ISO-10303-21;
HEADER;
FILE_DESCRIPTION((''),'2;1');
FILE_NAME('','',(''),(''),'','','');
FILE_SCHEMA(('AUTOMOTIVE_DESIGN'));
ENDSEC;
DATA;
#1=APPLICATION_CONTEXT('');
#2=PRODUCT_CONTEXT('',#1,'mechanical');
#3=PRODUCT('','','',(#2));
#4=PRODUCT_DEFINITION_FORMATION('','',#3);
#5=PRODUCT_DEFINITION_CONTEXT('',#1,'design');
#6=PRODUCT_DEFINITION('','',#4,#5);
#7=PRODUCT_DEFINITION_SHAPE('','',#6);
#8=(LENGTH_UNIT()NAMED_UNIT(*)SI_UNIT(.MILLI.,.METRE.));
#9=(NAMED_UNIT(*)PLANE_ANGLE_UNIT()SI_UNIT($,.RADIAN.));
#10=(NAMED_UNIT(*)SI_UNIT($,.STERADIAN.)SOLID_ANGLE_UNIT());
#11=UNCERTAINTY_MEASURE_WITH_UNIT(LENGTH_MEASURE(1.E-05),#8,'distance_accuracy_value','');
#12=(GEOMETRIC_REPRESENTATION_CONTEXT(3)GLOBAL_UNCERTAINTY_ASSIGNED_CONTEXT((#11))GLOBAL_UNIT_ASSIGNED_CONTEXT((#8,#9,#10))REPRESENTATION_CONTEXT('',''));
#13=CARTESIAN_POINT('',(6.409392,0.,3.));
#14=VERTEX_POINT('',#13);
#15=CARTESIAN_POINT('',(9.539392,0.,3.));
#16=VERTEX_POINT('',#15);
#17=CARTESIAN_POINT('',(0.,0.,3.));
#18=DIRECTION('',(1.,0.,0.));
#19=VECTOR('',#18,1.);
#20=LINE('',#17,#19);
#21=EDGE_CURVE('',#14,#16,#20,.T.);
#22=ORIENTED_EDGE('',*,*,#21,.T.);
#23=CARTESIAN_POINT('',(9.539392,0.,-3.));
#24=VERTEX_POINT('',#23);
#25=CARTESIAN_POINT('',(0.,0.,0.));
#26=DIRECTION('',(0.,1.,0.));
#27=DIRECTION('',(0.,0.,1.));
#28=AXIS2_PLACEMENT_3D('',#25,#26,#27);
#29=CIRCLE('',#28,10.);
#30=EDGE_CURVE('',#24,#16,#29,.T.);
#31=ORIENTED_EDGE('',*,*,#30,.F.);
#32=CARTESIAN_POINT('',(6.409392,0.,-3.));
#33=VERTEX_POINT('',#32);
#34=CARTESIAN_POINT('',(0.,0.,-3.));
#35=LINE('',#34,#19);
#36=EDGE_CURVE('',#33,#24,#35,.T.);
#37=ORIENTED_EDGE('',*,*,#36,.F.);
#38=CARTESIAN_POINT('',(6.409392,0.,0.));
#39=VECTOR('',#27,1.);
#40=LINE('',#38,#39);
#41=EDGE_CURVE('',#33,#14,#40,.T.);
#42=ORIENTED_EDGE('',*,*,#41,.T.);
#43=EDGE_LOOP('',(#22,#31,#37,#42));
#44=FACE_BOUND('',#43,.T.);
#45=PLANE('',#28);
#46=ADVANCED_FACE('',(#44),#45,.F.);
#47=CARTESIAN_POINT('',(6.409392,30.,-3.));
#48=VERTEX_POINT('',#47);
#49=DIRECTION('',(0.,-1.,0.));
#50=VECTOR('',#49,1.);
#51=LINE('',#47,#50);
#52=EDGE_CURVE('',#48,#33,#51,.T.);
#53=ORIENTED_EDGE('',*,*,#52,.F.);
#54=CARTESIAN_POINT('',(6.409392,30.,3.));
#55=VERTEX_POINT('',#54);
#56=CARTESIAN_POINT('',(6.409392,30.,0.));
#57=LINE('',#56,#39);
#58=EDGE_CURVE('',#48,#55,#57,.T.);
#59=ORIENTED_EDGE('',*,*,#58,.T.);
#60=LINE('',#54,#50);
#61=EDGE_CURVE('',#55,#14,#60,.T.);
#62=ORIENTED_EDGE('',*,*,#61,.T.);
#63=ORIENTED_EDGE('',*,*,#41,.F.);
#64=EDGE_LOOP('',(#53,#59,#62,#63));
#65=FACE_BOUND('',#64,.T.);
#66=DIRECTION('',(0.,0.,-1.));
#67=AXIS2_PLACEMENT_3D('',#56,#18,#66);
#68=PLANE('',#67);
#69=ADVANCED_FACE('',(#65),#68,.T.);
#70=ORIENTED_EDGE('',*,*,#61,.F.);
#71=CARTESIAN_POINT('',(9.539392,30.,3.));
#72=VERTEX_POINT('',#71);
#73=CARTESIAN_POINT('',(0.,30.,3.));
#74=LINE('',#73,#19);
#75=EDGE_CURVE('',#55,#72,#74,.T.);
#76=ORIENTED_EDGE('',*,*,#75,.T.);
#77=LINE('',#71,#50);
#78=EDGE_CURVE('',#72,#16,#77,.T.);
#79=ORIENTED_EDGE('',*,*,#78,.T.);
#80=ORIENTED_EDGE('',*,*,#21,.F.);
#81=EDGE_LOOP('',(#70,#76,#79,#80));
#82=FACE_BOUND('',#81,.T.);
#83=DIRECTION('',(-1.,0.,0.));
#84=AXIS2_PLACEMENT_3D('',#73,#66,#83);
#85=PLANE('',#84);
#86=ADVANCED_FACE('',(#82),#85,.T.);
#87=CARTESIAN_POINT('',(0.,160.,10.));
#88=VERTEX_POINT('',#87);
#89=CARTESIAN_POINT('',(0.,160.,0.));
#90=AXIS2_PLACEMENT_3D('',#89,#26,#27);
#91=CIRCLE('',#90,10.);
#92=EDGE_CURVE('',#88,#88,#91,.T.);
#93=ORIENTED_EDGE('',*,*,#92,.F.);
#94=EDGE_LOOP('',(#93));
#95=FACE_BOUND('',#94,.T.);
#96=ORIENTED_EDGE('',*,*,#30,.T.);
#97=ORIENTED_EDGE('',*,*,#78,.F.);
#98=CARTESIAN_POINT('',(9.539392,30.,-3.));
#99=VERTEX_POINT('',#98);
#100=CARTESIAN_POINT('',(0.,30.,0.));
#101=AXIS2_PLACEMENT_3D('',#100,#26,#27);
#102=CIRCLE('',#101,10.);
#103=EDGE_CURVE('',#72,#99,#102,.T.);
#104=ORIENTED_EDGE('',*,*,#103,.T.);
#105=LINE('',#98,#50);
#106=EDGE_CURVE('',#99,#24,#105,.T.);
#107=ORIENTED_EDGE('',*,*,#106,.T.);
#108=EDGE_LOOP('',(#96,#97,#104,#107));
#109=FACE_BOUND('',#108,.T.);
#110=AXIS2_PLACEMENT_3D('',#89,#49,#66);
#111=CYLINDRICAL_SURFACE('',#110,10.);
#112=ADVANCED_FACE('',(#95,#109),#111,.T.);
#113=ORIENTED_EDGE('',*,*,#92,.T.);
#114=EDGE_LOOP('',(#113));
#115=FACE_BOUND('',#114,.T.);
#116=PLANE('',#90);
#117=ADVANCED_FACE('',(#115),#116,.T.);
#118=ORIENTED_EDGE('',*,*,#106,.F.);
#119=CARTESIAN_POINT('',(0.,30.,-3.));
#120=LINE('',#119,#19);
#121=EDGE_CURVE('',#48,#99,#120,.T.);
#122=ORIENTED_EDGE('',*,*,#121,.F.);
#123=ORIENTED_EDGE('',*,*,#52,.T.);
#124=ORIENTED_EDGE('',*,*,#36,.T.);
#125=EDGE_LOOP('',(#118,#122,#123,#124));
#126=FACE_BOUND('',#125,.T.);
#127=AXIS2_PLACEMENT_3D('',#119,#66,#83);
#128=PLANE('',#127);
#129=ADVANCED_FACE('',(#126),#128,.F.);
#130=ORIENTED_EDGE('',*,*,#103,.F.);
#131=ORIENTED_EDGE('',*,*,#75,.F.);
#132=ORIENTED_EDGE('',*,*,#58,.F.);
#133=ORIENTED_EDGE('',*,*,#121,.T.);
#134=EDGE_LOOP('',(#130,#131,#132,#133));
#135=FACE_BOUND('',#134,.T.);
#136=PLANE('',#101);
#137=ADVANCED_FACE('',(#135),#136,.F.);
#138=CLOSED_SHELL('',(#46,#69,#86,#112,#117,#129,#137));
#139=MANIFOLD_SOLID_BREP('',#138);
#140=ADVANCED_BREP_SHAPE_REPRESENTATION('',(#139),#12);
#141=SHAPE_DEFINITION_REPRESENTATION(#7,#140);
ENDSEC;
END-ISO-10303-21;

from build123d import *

# Parameters (mm, degrees)
SKETCH1_R           = 10
BOSS_EXTRUDE1_DEPTH = 160
CUT_EXTRUDE1_DEPTH  = 30


with BuildPart() as part:
    # Sketch1 → Boss-Extrude1 (new body)
    with BuildSketch(Plane(origin=(0, 0, 0), x_dir=(1, 0, 0), z_dir=(0, 1, 0))):
        Circle(SKETCH1_R)
    extrude(amount=BOSS_EXTRUDE1_DEPTH)

    # Sketch1_3 → Cut-Extrude1 (cut)
    with BuildSketch(Plane(origin=(0, 0, 0), x_dir=(1, 0, 0), z_dir=(0, 1, 0))):
        with BuildLine():
            Line((9.539392014, 3), (6.409392014, 3))
            Line((6.409392014, 3), (6.409392014, -3))
            Line((6.409392014, -3), (9.539392014, -3))
            ThreePointArc((9.539392014, -3), (9.884177258, -1.517576993), (10, 0))
            ThreePointArc((10, 0), (9.884177258, 1.517576993), (9.539392014, 3))
        make_face()
    extrude(amount=CUT_EXTRUDE1_DEPTH, mode=Mode.SUBTRACT)


solid = part.part
